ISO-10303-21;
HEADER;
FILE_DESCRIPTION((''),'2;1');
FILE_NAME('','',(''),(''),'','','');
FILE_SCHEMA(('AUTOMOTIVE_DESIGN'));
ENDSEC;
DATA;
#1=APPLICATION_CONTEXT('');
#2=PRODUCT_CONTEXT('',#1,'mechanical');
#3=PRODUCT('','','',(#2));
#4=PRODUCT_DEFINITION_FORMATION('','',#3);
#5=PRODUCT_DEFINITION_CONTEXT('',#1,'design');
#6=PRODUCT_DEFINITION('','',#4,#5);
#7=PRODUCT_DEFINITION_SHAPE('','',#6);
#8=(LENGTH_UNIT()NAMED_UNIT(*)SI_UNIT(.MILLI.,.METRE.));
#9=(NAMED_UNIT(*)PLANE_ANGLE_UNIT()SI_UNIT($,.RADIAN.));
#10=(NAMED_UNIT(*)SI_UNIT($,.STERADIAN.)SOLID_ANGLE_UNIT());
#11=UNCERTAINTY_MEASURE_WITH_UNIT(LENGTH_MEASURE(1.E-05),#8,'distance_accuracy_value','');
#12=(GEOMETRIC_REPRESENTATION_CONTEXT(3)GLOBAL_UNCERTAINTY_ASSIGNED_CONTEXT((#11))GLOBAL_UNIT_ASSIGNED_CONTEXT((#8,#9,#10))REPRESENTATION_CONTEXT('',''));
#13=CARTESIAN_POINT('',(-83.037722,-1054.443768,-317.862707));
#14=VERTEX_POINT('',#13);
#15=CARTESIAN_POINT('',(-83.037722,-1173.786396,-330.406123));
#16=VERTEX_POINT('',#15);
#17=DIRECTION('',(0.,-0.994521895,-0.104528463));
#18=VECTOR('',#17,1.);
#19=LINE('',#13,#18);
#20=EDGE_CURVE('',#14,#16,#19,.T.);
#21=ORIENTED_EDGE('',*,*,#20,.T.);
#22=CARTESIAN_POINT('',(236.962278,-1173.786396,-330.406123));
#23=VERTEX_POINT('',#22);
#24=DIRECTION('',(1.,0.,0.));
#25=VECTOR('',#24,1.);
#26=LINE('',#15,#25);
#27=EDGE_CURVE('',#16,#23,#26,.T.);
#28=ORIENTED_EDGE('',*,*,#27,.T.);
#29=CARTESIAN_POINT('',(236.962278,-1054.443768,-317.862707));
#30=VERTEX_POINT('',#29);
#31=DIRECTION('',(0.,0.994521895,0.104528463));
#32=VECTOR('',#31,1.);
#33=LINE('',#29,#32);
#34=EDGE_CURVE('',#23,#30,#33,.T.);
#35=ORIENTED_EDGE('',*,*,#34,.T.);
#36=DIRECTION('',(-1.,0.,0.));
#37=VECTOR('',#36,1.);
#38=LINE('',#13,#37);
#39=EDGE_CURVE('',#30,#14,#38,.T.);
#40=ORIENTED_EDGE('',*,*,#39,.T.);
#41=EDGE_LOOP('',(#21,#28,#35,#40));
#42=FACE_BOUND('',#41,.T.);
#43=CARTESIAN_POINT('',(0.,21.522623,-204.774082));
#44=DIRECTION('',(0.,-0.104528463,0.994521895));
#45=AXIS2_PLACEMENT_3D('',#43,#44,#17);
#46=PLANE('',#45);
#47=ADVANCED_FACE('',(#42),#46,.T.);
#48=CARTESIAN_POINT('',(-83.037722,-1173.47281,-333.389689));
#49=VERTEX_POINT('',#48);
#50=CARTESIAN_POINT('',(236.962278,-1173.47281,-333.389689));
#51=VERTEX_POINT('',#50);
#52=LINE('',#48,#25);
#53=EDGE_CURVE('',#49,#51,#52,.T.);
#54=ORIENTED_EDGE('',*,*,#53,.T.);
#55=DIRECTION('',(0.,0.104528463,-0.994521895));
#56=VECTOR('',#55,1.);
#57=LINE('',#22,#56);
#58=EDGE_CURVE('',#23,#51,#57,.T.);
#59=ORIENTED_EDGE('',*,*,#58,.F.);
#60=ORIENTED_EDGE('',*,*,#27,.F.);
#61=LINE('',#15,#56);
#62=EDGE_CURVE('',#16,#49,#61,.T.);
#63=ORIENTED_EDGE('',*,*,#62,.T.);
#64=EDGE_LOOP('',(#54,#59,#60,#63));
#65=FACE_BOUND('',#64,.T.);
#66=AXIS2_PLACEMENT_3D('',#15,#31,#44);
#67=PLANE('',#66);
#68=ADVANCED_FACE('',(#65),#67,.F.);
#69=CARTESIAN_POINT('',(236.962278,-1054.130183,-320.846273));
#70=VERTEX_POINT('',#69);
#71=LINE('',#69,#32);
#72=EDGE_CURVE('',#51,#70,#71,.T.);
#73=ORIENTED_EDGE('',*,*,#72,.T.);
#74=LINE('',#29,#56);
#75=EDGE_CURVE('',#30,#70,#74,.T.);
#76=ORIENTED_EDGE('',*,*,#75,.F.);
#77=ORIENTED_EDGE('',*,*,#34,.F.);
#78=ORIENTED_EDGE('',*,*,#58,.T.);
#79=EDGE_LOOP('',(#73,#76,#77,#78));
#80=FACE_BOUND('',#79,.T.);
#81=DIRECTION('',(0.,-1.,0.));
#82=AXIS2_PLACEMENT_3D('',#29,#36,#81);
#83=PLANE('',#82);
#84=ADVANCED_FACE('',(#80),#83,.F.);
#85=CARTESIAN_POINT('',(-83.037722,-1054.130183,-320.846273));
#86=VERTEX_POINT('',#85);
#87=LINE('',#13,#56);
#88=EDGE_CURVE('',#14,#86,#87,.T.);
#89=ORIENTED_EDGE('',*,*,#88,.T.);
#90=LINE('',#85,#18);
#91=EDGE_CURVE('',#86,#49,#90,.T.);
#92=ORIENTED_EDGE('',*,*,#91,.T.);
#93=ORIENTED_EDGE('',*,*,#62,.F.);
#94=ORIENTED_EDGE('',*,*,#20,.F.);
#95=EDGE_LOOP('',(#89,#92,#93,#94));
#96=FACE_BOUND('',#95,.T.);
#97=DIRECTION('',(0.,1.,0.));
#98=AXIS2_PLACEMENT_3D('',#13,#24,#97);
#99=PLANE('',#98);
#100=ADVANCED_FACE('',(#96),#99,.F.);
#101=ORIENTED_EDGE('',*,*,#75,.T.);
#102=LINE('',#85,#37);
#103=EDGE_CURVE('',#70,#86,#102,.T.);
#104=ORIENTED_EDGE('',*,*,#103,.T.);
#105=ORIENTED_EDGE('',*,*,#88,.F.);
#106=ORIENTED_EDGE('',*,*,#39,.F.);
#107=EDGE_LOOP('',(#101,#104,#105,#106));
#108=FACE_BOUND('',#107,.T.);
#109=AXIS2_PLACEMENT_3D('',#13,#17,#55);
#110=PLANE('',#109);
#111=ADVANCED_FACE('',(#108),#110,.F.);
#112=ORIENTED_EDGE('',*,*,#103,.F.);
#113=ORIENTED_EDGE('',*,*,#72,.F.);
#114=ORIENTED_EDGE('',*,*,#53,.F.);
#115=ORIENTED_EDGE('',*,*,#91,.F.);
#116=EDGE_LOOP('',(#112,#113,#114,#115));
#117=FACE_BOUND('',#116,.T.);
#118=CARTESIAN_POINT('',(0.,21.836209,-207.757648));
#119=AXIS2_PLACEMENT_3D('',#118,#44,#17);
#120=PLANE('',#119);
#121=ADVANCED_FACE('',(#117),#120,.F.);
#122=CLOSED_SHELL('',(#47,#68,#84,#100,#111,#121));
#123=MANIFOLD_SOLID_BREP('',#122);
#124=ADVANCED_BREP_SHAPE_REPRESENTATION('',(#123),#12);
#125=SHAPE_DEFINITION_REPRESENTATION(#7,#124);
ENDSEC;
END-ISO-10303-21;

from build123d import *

# Parameters (mm, degrees)
BOSS_EXTRUDE1_DEPTH = 3


with BuildPart() as part:
    # Sketch1 → Boss-Extrude1 (new body)
    with BuildSketch(Plane(origin=(0, 21.836208733, -207.75764818), x_dir=(0.9643573888802595, -0.26315362536035997, -0.027658560550890932), z_dir=(0, -0.10452846326765347, 0.9945218953682734))):
        Polygon((206.194284224, -1065.303662697), (514.788648666, -980.630654986), (546.541026558, -1096.353541651), (237.946662116, -1181.026549362), align=None)
    extrude(amount=BOSS_EXTRUDE1_DEPTH)


solid = part.part
